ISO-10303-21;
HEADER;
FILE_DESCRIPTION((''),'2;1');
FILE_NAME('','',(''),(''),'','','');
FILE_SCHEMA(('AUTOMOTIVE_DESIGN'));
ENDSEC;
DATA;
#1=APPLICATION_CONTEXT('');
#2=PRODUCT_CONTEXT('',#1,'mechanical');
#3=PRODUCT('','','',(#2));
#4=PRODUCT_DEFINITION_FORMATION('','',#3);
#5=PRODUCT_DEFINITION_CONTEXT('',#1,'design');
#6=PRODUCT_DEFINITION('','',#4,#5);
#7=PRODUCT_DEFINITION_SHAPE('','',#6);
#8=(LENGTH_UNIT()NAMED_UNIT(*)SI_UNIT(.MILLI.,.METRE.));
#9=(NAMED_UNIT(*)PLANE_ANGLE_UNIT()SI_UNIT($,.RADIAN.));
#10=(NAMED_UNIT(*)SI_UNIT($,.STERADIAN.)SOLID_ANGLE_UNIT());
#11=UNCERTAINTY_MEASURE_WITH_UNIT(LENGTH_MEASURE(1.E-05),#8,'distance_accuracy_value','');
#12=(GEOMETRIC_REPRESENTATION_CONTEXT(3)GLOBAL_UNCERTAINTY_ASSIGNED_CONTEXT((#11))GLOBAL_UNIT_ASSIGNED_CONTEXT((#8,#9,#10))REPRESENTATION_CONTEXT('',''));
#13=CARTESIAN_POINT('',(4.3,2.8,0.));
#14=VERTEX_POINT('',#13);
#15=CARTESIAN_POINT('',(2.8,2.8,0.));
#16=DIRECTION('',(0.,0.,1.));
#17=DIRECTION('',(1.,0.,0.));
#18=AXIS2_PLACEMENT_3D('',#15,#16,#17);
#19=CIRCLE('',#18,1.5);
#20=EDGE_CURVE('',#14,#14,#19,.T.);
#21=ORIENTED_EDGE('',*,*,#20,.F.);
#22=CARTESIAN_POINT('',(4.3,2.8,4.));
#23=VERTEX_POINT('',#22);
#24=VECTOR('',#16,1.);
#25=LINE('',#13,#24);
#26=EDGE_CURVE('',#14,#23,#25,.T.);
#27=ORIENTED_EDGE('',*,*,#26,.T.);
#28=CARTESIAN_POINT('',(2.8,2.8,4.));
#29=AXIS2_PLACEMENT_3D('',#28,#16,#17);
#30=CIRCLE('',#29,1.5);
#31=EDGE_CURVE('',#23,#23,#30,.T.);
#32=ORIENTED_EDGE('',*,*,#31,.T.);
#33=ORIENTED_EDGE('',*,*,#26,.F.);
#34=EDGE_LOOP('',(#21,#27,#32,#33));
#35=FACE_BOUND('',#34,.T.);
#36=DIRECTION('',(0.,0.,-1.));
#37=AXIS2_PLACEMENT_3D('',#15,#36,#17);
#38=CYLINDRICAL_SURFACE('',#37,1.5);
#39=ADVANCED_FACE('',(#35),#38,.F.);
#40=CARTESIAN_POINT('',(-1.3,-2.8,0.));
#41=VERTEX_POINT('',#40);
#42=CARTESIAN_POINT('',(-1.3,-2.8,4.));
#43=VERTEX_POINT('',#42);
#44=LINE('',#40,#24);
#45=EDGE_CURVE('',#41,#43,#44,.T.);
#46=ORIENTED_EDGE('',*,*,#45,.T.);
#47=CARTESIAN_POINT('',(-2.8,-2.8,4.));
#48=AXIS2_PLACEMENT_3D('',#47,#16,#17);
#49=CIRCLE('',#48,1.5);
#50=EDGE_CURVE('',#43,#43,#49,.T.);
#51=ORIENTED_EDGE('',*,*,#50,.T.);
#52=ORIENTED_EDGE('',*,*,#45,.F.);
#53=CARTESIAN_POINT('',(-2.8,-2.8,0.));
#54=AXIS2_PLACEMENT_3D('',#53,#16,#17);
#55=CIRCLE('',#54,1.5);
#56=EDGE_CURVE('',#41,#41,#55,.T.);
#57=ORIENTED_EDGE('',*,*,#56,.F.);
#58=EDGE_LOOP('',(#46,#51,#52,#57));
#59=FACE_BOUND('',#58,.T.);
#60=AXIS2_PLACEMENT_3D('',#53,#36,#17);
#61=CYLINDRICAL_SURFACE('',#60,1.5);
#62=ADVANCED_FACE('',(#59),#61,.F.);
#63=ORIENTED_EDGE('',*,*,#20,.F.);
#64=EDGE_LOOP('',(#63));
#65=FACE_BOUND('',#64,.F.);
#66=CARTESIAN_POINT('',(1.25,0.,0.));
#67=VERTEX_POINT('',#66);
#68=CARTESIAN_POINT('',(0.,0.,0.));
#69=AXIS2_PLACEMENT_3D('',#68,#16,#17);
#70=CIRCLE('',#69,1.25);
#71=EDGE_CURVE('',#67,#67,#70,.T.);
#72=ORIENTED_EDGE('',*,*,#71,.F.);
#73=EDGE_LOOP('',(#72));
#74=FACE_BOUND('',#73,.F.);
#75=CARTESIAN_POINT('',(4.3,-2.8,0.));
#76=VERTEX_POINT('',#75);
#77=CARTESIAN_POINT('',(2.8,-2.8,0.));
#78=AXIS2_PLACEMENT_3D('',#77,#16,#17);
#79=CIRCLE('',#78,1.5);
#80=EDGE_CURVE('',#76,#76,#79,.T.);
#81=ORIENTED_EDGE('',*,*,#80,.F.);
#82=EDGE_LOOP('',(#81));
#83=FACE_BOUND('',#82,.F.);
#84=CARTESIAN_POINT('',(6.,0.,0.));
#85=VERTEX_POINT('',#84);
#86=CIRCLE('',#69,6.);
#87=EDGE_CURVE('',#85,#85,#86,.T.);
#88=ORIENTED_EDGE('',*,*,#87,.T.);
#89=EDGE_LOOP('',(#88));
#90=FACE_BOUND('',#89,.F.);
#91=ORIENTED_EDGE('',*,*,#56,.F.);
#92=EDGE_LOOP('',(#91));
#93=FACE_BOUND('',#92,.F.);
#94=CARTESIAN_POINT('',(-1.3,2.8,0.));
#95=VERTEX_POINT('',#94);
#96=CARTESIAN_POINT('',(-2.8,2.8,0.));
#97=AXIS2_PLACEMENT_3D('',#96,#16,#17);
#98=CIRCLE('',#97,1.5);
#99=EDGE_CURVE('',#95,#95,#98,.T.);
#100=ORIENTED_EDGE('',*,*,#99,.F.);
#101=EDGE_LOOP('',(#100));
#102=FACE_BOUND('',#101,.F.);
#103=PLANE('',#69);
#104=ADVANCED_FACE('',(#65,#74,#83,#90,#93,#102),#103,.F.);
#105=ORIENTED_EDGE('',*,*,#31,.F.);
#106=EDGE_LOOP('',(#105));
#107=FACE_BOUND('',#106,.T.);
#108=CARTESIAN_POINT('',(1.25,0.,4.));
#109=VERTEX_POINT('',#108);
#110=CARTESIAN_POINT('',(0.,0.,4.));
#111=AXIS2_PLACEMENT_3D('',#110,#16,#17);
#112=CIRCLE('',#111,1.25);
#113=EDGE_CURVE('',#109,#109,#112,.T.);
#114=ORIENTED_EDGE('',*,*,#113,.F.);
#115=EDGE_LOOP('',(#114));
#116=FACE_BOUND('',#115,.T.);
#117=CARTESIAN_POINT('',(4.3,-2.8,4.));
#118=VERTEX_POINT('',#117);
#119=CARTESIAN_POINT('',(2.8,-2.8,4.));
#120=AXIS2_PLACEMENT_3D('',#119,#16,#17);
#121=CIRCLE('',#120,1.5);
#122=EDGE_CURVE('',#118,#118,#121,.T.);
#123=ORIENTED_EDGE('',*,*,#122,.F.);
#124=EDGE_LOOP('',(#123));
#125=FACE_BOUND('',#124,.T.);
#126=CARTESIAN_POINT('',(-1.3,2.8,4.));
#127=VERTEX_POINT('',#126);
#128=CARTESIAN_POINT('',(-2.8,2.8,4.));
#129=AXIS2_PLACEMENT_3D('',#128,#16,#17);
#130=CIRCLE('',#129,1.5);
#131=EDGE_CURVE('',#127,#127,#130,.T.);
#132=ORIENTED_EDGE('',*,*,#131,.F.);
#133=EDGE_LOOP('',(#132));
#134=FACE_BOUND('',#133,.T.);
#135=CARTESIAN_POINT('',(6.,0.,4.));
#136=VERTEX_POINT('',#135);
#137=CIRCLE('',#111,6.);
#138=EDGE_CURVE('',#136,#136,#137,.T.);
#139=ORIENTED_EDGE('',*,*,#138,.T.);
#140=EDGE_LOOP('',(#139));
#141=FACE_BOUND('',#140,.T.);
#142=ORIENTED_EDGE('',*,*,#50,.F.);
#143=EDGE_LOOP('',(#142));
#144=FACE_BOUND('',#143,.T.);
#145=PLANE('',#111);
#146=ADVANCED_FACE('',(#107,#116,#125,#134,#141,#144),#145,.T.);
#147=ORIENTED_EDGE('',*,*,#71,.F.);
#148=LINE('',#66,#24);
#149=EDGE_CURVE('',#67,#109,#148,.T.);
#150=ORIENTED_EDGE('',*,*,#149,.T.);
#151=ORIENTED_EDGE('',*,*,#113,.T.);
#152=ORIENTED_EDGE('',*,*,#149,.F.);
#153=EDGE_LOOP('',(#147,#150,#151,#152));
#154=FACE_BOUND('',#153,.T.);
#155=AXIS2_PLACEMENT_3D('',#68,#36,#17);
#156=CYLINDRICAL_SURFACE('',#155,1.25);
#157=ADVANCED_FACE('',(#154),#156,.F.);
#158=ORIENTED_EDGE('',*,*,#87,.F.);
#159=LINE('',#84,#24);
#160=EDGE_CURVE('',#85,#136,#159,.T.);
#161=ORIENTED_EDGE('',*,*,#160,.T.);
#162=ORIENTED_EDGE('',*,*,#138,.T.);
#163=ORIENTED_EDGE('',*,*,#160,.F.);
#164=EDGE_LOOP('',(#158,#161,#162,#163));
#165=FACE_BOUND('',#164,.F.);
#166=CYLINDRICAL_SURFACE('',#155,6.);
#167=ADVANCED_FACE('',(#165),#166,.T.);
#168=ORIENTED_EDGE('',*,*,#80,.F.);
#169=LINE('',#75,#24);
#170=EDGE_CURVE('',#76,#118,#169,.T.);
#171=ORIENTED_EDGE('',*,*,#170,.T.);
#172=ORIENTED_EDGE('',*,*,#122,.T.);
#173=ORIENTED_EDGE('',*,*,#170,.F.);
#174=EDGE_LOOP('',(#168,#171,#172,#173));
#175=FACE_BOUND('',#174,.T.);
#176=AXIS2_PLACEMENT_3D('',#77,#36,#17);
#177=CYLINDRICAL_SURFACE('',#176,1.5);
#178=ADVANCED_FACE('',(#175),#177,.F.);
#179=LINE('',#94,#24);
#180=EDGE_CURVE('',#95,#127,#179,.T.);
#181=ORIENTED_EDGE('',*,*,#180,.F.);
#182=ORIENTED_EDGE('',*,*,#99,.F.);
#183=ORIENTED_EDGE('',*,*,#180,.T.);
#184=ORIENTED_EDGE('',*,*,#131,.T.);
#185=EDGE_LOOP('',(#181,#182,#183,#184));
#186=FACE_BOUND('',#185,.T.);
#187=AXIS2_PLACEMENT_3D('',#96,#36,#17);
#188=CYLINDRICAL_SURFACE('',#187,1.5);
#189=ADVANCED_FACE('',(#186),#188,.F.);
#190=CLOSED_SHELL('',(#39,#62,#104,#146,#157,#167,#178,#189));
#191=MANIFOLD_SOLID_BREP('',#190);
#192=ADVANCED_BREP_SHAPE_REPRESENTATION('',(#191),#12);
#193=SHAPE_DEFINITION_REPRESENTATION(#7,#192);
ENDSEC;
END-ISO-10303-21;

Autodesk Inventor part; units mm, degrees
ref_plane "YZ Plane" through (0, 0, 0) normal (1, 0, 0) x (0, 1, 0)
ref_plane "XZ Plane" through (0, 0, 0) normal (0, 1, 0) x (-1, 0, 0)
ref_plane "XY Plane" through (0, 0, 0) normal (0, 0, 1) x (1, 0, 0)
sketch "スケッチ1" plane through (0, 0, 0) normal (0, 0, 1) x (1, 0, 0)
  circle A0 centre (0, 0) radius 8
  circle A1 centre (0, 0) radius 6
  circle A2 centre (0, 0) radius 1.25
  circle A3 centre (-2.8, -2.8) radius 1.5
  circle A4 centre (-2.8, 2.8) radius 1.5
  circle A5 centre (2.8, 2.8) radius 1.5
  circle A6 centre (2.8, -2.8) radius 1.5
  circle A7 centre (0, 0) radius 6
  dimension "d0" = 16
  dimension "d1" = 12
extrude "押し出し1" add sketch "スケッチ1" along normal blind 4 contours A1
properties part number "新型３脚最終段カム" material "アルミニウム 2014-T4"
